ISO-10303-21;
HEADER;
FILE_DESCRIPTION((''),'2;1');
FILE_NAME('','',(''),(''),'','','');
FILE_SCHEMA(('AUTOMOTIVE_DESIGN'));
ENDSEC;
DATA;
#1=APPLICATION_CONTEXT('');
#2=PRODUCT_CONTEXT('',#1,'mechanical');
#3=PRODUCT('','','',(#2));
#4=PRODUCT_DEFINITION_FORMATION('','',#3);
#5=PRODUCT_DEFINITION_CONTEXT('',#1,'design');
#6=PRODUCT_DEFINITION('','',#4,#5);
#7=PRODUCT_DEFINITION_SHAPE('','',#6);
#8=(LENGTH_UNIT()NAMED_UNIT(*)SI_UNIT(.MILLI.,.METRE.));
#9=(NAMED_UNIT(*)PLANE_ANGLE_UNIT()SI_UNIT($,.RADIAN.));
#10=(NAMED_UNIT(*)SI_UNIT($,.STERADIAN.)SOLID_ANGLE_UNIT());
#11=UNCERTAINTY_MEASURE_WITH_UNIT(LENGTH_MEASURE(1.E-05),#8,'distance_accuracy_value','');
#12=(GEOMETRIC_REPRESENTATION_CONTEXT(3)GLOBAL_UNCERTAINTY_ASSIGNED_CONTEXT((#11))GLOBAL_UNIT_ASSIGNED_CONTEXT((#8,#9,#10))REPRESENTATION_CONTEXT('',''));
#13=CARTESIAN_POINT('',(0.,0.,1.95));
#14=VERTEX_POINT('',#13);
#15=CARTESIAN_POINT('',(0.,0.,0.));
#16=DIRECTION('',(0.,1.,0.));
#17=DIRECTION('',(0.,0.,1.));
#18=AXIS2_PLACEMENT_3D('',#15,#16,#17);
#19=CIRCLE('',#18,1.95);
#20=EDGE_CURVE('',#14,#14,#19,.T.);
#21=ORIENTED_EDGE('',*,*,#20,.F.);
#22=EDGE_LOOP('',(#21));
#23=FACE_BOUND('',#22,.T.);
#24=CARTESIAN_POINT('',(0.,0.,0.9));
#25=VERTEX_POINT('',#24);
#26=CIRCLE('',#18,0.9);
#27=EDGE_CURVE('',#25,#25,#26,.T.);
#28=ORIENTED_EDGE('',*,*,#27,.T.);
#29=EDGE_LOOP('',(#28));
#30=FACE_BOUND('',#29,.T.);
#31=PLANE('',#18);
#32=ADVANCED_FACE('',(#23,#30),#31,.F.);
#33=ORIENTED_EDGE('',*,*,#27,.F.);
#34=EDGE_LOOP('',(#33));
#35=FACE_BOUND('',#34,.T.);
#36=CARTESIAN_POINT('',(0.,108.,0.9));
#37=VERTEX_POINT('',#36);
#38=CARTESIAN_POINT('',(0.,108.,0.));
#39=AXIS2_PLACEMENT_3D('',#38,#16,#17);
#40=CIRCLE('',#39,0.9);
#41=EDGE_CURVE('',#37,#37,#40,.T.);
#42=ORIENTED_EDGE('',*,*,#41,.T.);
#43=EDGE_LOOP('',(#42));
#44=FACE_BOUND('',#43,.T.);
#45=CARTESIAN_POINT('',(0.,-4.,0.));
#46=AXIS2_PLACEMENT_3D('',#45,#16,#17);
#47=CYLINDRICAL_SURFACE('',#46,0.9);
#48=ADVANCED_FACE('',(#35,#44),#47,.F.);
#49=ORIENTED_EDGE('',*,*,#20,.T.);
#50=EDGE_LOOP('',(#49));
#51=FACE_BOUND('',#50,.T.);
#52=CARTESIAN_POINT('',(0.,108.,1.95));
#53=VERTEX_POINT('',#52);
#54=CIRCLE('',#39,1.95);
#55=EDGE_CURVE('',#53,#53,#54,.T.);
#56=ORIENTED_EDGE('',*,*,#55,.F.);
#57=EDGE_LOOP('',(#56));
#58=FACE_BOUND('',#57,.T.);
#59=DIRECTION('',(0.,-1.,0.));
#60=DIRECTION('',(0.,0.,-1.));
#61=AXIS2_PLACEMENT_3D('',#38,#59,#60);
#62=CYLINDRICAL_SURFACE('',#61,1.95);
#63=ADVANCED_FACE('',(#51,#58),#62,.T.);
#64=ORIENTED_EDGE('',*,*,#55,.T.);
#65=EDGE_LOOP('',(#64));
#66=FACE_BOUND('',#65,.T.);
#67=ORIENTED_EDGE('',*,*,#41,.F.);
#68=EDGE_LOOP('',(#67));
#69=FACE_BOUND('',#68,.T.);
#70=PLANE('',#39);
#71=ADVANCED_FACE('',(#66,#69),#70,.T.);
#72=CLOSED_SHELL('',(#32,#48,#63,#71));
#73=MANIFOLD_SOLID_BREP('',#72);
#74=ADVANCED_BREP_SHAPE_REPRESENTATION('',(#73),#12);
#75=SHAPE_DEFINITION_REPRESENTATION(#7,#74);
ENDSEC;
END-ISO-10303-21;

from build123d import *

# Parameters (mm, degrees)
SKETCH1_R           = 1.95
BOSS_EXTRUDE1_DEPTH = 108
SKETCH2_R           = 0.9
CUT_EXTRUDE1_DEPTH  = 112


with BuildPart() as part:
    # Sketch1 → Boss-Extrude1 (new body)
    with BuildSketch(Plane(origin=(0, 0, 0), x_dir=(1, 0, 0), z_dir=(0, 1, 0))):
        Circle(SKETCH1_R)
    extrude(amount=BOSS_EXTRUDE1_DEPTH)

    # Sketch2 → Cut-Extrude1 (cut)
    with BuildSketch(Plane(origin=(0, 108, 0), x_dir=(1, 0, 0), z_dir=(0, 1, 0))):
        Circle(SKETCH2_R)
    extrude(amount=-CUT_EXTRUDE1_DEPTH, mode=Mode.SUBTRACT)


solid = part.part
